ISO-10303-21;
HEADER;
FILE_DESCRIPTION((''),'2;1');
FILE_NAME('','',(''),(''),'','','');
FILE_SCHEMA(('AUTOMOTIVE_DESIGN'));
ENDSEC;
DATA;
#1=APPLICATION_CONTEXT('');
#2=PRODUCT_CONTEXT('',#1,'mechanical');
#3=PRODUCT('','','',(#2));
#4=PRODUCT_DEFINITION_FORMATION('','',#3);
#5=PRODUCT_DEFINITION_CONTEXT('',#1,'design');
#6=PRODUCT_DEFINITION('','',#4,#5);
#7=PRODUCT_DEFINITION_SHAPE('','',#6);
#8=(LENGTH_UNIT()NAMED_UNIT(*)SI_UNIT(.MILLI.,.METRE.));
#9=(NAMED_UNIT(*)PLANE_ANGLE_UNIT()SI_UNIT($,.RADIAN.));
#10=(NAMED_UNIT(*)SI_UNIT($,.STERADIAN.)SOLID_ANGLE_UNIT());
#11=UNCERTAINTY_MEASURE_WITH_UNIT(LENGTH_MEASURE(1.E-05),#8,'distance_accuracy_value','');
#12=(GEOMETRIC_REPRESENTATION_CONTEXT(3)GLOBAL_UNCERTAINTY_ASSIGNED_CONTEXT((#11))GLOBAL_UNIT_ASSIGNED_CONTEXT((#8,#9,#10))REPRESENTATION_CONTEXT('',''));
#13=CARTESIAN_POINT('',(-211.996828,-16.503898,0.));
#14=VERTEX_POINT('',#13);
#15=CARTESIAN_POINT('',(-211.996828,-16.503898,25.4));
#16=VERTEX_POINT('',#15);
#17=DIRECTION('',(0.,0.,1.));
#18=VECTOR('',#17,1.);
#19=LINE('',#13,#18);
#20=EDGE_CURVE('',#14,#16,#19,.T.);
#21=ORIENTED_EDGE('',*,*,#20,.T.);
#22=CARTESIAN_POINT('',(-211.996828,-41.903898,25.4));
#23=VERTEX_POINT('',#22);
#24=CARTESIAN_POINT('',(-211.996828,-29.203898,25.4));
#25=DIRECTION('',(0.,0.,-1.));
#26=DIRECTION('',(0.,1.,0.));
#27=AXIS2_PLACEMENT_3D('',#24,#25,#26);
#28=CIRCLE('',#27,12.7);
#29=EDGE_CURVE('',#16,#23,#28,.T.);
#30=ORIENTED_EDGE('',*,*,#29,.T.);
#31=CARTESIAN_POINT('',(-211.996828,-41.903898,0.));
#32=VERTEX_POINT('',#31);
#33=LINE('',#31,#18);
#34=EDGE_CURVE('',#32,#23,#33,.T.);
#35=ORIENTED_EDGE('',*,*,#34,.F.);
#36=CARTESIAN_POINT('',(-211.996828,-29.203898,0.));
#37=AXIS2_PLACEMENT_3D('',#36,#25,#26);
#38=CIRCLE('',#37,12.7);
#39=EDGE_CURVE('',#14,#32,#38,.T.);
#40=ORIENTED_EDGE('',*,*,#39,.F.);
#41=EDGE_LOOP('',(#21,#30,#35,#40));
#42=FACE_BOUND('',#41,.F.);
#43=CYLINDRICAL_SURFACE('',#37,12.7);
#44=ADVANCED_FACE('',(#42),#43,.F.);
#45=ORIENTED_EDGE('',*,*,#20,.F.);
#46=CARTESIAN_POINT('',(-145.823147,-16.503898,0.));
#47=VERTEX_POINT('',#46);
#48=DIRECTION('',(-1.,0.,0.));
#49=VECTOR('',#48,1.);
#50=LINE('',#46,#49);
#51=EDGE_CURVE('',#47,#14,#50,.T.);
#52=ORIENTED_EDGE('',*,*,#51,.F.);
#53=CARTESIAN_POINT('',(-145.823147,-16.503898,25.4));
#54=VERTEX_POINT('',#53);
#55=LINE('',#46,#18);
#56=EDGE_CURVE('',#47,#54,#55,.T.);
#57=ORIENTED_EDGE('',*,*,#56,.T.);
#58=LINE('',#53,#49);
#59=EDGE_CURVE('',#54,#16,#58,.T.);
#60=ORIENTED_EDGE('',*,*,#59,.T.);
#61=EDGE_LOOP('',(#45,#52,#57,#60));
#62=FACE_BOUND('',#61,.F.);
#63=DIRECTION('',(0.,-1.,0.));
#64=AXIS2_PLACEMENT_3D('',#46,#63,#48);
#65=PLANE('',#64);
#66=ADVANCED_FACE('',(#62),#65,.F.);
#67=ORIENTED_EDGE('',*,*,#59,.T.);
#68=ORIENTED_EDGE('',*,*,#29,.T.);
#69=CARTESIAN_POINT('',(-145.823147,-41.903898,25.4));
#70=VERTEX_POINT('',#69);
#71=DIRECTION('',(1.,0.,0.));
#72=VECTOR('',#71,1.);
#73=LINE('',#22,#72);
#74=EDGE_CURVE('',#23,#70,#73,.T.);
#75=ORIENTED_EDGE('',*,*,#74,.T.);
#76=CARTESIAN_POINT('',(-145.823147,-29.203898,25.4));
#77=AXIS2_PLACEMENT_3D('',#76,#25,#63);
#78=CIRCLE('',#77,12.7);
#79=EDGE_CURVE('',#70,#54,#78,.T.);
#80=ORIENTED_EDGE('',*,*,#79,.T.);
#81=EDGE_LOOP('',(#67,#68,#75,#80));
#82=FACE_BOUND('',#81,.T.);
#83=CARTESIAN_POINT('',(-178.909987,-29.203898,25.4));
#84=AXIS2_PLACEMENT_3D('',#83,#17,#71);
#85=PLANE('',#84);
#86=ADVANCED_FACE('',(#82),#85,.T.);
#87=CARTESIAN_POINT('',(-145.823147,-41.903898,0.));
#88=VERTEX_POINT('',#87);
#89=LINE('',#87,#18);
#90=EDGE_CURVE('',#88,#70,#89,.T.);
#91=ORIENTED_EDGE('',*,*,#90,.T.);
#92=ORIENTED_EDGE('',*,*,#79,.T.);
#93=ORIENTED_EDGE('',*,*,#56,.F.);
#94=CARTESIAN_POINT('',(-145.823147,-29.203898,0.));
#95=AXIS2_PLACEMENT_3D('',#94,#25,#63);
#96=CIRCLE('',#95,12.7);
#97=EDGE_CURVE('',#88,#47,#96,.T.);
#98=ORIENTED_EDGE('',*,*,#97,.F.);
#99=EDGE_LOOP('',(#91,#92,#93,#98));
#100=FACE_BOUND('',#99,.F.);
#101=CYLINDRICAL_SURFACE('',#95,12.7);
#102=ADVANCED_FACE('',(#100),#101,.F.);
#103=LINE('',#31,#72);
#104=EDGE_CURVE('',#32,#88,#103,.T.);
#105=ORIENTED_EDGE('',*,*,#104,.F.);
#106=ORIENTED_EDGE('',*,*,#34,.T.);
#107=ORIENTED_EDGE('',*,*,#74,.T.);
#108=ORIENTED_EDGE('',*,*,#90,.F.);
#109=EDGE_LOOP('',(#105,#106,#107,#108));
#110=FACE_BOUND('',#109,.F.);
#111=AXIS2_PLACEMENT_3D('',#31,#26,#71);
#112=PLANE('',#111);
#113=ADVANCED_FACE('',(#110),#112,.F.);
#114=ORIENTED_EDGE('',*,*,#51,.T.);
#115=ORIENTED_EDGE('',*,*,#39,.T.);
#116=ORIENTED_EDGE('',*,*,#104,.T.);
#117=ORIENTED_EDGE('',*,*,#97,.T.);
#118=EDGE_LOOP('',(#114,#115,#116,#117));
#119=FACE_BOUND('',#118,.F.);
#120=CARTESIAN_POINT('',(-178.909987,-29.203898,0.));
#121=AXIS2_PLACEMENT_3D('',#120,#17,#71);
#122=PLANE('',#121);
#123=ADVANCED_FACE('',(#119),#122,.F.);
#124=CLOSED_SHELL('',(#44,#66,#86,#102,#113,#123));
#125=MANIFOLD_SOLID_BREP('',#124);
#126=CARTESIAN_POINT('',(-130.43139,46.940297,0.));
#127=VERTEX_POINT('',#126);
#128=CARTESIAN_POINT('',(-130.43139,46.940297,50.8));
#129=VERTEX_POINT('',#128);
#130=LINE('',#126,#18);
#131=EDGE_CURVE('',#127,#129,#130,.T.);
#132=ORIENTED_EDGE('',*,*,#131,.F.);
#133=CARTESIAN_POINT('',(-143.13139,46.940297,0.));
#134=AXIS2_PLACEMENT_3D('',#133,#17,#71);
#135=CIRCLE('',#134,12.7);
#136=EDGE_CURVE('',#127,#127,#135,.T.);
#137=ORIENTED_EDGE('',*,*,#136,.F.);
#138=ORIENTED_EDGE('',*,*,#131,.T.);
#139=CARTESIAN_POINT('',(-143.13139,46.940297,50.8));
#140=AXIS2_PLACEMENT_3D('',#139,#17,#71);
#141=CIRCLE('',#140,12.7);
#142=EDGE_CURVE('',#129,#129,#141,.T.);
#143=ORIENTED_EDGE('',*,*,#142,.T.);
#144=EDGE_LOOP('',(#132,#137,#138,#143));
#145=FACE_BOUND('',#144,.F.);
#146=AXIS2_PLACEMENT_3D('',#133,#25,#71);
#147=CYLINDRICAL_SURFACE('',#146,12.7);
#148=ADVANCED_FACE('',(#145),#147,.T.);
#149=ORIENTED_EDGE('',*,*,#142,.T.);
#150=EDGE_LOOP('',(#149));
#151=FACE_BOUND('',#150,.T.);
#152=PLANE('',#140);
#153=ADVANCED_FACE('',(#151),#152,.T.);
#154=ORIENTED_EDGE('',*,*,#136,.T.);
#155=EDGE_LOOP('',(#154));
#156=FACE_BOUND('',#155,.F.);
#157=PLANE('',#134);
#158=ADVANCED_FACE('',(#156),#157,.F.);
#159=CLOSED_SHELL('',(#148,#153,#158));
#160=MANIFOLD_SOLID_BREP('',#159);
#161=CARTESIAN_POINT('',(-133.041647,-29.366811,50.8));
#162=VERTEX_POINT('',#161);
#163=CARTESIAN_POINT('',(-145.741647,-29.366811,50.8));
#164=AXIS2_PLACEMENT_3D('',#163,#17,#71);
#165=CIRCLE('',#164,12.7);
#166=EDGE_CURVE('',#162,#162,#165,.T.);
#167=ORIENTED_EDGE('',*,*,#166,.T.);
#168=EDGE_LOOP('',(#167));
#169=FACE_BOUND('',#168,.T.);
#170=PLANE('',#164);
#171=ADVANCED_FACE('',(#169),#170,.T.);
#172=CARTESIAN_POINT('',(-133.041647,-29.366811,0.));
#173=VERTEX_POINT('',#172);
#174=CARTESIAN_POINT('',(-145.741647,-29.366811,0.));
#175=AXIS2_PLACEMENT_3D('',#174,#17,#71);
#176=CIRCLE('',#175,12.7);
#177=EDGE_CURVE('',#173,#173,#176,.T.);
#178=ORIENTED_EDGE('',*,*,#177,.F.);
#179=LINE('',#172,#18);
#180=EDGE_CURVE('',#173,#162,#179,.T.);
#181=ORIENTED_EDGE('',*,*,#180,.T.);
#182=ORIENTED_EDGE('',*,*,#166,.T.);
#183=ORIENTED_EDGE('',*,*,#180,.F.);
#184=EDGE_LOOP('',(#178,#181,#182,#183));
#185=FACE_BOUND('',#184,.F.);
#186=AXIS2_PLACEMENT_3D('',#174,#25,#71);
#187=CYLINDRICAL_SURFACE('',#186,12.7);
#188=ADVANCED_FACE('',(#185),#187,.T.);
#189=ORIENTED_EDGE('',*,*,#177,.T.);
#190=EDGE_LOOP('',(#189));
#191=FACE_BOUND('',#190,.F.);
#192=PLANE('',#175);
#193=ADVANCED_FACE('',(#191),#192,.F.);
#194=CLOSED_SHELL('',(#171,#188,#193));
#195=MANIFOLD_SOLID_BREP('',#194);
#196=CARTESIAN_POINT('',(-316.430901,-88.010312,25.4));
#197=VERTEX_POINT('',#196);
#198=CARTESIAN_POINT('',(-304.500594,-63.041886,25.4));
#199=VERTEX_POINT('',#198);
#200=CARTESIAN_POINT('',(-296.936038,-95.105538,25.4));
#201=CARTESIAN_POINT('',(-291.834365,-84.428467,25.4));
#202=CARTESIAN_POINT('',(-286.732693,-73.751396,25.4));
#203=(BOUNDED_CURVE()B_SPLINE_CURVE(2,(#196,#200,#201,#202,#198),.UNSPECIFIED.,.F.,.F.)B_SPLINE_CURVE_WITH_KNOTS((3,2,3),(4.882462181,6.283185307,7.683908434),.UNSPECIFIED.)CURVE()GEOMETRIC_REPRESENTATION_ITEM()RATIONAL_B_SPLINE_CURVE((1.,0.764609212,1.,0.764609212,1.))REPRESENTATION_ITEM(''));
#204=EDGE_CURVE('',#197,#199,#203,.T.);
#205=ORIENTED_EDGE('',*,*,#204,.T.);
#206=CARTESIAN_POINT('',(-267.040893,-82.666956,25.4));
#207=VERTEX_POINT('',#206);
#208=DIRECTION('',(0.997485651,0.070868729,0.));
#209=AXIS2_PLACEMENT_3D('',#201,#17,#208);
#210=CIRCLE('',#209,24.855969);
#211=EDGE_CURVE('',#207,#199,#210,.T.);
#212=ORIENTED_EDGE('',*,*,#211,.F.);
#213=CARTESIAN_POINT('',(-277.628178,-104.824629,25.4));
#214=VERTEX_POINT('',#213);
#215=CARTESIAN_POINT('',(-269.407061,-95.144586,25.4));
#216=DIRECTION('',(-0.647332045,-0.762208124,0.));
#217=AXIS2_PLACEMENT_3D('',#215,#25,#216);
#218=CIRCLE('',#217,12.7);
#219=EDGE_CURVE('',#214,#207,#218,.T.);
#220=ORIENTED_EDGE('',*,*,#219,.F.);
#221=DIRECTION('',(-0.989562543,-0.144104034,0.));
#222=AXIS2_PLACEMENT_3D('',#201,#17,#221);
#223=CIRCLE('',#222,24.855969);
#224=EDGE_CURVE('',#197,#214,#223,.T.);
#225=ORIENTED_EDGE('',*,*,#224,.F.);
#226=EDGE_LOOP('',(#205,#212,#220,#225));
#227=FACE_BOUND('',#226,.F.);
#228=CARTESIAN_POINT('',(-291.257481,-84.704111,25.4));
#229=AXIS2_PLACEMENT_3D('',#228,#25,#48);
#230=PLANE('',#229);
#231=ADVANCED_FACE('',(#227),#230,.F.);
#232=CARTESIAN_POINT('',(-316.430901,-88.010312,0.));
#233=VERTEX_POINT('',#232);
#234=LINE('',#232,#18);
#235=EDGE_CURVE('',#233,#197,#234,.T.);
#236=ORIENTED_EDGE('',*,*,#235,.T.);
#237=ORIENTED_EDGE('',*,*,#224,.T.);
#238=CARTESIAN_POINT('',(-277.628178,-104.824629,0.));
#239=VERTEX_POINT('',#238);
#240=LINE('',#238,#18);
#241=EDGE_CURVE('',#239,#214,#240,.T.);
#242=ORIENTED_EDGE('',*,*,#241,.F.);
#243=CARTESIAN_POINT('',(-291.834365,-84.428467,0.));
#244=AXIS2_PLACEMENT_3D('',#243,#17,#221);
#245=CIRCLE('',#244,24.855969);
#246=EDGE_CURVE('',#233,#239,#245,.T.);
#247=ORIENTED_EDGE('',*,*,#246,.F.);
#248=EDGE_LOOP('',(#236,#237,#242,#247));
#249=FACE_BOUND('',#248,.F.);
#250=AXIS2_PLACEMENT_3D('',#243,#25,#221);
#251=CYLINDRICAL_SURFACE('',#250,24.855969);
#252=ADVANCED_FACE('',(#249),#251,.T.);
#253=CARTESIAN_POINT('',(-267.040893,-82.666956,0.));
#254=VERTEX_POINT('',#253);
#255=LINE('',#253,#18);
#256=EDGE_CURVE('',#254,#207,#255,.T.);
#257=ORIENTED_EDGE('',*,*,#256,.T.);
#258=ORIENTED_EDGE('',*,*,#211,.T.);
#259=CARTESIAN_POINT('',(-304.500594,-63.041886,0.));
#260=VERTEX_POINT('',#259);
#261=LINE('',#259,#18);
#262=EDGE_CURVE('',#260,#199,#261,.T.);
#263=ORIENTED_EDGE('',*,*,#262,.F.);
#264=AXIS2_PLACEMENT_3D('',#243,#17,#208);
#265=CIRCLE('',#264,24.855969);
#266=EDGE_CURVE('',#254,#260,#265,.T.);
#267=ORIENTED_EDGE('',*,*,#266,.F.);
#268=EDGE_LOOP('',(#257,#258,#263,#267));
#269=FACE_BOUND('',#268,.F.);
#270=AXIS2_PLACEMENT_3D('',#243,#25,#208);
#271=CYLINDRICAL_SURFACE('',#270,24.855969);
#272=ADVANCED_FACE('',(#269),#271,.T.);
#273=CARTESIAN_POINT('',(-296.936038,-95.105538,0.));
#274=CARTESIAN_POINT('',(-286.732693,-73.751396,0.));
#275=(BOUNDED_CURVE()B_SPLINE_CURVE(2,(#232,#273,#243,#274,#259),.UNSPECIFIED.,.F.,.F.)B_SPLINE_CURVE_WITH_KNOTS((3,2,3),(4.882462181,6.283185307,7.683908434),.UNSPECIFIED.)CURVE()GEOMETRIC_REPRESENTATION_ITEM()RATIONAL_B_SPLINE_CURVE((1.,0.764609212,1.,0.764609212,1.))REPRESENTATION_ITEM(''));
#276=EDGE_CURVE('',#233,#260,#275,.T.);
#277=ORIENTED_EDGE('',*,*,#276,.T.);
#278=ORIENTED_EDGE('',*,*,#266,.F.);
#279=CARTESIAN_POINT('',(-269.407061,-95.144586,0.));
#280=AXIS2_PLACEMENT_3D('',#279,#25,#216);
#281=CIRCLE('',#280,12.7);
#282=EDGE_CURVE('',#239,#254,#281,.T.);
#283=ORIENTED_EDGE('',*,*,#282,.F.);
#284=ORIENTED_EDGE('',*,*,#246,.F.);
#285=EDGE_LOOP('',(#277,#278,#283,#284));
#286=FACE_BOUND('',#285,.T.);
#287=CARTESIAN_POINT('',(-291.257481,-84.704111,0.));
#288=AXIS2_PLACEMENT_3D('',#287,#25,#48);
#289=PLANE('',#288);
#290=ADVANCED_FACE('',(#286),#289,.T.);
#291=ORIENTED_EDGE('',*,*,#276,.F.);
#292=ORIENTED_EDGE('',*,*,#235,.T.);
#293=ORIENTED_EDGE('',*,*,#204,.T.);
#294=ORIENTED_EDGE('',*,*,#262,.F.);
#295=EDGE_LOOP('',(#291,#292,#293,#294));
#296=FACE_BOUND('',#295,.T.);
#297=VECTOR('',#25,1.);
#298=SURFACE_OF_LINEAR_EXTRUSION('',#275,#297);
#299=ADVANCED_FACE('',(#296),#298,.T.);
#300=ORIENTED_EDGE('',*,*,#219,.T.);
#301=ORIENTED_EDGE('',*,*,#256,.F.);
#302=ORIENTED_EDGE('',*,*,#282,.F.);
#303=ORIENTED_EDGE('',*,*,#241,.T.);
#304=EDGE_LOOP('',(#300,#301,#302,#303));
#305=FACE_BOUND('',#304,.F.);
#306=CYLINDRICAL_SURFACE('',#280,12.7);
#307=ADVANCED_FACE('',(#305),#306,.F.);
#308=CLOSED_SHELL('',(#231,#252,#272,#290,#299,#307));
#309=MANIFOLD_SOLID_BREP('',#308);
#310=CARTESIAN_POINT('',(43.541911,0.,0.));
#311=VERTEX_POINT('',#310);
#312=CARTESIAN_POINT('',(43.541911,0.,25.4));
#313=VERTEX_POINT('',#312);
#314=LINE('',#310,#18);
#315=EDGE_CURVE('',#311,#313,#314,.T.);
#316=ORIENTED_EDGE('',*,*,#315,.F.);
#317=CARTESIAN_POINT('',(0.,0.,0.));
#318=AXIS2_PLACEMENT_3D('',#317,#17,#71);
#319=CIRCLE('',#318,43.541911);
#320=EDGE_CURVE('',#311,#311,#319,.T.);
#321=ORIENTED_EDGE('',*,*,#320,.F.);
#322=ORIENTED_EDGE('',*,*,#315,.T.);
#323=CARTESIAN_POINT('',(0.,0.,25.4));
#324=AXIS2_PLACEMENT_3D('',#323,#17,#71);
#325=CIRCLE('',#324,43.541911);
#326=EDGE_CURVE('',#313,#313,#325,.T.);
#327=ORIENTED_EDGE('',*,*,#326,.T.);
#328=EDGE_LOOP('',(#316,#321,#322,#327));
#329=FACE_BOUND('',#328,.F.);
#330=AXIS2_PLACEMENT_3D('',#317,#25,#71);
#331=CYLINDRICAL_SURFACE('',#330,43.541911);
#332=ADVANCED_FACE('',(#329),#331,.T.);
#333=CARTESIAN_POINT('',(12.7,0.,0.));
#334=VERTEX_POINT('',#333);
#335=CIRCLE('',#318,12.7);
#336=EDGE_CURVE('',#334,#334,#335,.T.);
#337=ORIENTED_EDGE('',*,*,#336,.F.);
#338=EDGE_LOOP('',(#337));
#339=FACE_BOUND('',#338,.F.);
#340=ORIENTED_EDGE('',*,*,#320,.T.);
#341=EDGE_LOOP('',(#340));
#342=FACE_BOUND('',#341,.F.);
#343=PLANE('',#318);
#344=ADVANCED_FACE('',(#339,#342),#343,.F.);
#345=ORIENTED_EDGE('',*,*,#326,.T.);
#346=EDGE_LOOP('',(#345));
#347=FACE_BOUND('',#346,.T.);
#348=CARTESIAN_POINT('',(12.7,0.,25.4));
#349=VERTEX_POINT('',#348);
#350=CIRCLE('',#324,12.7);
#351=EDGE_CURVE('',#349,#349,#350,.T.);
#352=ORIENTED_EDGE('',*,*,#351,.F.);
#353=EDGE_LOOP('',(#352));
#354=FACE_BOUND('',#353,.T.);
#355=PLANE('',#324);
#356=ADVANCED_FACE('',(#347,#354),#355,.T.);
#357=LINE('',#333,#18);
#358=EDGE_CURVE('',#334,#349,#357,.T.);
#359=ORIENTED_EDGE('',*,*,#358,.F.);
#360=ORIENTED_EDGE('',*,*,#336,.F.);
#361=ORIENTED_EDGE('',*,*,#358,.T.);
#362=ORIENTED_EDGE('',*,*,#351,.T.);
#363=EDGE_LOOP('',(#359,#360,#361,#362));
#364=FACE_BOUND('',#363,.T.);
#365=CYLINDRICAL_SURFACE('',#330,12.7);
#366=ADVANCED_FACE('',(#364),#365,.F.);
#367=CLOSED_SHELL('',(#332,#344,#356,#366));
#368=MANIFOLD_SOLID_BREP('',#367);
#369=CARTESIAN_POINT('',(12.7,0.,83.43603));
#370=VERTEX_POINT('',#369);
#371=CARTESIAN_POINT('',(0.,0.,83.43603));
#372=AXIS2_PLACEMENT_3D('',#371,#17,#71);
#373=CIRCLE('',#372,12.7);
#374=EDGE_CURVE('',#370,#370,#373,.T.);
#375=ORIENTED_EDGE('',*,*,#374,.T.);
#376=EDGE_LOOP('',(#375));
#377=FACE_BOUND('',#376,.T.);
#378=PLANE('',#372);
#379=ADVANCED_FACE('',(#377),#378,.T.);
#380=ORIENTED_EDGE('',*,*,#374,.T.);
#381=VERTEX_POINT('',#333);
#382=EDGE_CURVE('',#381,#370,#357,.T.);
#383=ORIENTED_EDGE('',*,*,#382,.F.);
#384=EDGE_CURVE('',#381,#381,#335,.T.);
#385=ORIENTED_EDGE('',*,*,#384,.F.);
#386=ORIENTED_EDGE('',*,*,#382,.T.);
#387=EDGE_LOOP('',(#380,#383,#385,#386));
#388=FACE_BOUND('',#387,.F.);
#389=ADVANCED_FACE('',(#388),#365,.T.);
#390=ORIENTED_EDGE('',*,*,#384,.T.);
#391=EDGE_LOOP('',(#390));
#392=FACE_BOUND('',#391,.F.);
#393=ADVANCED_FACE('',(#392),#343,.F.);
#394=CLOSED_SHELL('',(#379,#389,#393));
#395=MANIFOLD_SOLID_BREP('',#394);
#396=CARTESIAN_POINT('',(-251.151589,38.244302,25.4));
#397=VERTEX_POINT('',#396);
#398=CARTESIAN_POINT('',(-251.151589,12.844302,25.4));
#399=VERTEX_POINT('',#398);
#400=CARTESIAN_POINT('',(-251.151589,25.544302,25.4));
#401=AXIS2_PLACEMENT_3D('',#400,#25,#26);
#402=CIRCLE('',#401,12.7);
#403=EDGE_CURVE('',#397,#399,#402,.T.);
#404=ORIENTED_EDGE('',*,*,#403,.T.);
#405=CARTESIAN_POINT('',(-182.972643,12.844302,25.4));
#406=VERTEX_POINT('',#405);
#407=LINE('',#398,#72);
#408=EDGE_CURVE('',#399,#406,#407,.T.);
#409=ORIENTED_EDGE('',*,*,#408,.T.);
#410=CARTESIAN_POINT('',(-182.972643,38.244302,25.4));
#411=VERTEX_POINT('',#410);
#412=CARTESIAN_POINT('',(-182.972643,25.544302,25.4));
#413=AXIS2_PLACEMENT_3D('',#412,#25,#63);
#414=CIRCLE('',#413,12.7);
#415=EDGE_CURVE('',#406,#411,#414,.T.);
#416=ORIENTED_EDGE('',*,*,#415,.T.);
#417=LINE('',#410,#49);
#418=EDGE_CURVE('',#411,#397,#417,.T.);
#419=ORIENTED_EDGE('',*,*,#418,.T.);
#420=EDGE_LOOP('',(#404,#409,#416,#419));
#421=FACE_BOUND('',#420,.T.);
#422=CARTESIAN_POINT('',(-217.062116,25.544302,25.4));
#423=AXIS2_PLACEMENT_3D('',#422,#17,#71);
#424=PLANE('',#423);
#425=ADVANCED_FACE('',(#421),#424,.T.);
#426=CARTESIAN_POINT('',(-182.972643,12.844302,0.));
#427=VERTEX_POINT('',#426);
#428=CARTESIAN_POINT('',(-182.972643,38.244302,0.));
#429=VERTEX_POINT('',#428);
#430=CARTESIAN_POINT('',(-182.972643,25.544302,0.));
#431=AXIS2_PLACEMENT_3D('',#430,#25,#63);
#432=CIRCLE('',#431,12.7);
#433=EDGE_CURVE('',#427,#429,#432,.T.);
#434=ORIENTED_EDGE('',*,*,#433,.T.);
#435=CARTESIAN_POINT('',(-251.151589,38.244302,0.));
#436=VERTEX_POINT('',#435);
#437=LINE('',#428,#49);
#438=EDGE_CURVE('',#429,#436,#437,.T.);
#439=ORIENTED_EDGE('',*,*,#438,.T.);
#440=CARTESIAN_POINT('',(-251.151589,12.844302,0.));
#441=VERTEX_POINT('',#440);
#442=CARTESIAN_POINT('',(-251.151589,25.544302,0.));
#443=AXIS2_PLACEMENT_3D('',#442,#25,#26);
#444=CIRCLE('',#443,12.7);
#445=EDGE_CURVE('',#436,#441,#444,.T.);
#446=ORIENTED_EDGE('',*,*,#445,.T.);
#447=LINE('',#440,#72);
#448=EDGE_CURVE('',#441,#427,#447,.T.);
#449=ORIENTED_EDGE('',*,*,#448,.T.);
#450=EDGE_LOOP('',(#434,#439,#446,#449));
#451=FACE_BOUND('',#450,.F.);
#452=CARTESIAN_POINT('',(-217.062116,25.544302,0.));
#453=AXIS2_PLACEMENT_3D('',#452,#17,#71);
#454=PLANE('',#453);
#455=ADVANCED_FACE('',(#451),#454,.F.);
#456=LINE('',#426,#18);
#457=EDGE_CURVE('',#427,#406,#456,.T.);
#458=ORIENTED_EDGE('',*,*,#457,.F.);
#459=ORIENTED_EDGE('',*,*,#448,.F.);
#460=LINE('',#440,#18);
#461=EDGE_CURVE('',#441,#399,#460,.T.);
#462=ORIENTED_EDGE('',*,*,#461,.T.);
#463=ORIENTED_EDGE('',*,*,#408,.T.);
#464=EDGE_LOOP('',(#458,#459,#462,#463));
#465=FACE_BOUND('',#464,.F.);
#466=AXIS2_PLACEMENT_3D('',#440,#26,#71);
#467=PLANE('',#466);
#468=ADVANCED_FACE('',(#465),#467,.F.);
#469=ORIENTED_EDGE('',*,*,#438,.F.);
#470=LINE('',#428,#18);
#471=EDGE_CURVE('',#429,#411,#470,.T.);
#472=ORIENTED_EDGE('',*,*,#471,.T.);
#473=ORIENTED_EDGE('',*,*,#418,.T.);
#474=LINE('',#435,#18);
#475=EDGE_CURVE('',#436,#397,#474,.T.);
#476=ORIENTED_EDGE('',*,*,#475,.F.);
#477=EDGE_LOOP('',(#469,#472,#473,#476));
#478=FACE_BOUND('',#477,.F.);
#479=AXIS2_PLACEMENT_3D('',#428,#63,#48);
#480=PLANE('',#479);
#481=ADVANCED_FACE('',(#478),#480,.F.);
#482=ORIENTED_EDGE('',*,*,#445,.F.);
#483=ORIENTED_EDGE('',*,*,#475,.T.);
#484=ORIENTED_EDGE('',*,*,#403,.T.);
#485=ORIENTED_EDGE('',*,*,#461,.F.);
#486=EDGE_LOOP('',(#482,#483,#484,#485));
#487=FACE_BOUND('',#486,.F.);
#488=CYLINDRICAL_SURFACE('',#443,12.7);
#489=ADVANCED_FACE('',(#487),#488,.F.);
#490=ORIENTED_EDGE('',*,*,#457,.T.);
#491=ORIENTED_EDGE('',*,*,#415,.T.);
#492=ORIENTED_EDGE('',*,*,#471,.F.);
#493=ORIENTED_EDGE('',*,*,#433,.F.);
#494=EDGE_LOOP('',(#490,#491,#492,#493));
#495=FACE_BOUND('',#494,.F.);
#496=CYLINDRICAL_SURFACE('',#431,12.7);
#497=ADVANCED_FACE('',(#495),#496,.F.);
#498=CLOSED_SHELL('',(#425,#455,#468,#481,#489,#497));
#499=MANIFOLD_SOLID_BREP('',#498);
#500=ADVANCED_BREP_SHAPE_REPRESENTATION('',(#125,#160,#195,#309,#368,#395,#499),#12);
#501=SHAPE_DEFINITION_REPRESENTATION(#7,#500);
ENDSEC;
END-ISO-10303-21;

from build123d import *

# Parameters (mm, degrees)
F0_R      = 43.5419108218
F0_R_2    = 12.7
F1_DEPTH  = 25.4
F2_R      = 12.7
F3_DEPTH  = 83.43603
F5_DEPTH  = 25.4
F6_R      = 12.7
F7_DEPTH  = 50.8
F9_DEPTH  = 25.4
F10_R     = 12.7
F11_DEPTH = 50.8
F13_DEPTH = 25.4


with BuildPart() as f1:
    # F0 (on Top) → F1 (new body)
    with BuildSketch(Plane.XY):
        Circle(F0_R)
        Circle(F0_R_2, mode=Mode.SUBTRACT)
    extrude(amount=F1_DEPTH)


with BuildPart() as f3:
    # F2 (on Top) → F3 (new body)
    with BuildSketch(Plane.XY):
        Circle(F2_R)
    extrude(amount=F3_DEPTH)


with BuildPart() as f5:
    # F4 (on Top) → F5 (new body)
    with BuildSketch(Plane.XY):
        with BuildLine():
            Line((-182.9726426302, 38.2443016067), (-251.1515887083, 38.2443016067))
            ThreePointArc((-251.1515887083, 38.2443016067), (-238.4515887083, 25.5443016067), (-251.1515887083, 12.8443016067))
            Line((-251.1515887083, 12.8443016067), (-182.9726426302, 12.8443016067))
            ThreePointArc((-182.9726426302, 12.8443016067), (-195.6726426302, 25.5443016067), (-182.9726426302, 38.2443016067))
        make_face()
    extrude(amount=F5_DEPTH)


with BuildPart() as f7:
    # F6 (on Top) → F7 (new body)
    with BuildSketch(Plane.XY):
        with Locations((-143.131390214, 46.9402968884)):
            Circle(F6_R)
    extrude(amount=F7_DEPTH)


with BuildPart() as f9:
    # F8 (on Top) → F9 (new body)
    with BuildSketch(Plane.XY):
        with BuildLine():
            Line((-145.8231465792, -16.5038982734), (-211.9968278433, -16.5038982734))
            ThreePointArc((-211.9968278433, -16.5038982734), (-199.2968278433, -29.2038982734), (-211.9968278433, -41.9038982734))
            Line((-211.9968278433, -41.9038982734), (-145.8231465792, -41.9038982734))
            ThreePointArc((-145.8231465792, -41.9038982734), (-158.5231465792, -29.2038982734), (-145.8231465792, -16.5038982734))
        make_face()
    extrude(amount=F9_DEPTH)


with BuildPart() as f11:
    # F10 (on Top) → F11 (new body)
    with BuildSketch(Plane.XY):
        with Locations((-145.7416468478, -29.3668110708)):
            Circle(F10_R)
    extrude(amount=F11_DEPTH)


with BuildPart() as f13:
    # F12 (on Top) → F13 (new body)
    with BuildSketch(Plane.XY):
        with BuildLine():
            add(Edge.make_bspline(
                [(-316.4309012913, -88.0103122679), (-296.9360377441, -95.1055377668), (-291.834365272, -84.4284668565), (-286.7326927998, -73.7513959461), (-304.500594366, -63.0418859881)],
                knots=[4.8824621805, 4.8824621805, 4.8824621805, 6.2831853072, 6.2831853072, 7.6839084338, 7.6839084338, 7.6839084338], degree=2, weights=[1, 0.7646092118, 1, 0.7646092118, 1]))
            ThreePointArc((-316.4309012913, -88.0103122679), (-301.7171860694, -107.2352433448), (-277.628177595, -104.824629054))
            ThreePointArc((-277.628177595, -104.824629054), (-280.8661498963, -89.669252735), (-267.0408927456, -82.6669559179))
            ThreePointArc((-267.0408927456, -82.6669559179), (-280.2994898607, -62.4110680558), (-304.500594366, -63.0418859881))
        make_face()
    extrude(amount=F13_DEPTH)


solid = Compound([f1.part, f3.part, f5.part, f7.part, f9.part, f11.part, f13.part])
